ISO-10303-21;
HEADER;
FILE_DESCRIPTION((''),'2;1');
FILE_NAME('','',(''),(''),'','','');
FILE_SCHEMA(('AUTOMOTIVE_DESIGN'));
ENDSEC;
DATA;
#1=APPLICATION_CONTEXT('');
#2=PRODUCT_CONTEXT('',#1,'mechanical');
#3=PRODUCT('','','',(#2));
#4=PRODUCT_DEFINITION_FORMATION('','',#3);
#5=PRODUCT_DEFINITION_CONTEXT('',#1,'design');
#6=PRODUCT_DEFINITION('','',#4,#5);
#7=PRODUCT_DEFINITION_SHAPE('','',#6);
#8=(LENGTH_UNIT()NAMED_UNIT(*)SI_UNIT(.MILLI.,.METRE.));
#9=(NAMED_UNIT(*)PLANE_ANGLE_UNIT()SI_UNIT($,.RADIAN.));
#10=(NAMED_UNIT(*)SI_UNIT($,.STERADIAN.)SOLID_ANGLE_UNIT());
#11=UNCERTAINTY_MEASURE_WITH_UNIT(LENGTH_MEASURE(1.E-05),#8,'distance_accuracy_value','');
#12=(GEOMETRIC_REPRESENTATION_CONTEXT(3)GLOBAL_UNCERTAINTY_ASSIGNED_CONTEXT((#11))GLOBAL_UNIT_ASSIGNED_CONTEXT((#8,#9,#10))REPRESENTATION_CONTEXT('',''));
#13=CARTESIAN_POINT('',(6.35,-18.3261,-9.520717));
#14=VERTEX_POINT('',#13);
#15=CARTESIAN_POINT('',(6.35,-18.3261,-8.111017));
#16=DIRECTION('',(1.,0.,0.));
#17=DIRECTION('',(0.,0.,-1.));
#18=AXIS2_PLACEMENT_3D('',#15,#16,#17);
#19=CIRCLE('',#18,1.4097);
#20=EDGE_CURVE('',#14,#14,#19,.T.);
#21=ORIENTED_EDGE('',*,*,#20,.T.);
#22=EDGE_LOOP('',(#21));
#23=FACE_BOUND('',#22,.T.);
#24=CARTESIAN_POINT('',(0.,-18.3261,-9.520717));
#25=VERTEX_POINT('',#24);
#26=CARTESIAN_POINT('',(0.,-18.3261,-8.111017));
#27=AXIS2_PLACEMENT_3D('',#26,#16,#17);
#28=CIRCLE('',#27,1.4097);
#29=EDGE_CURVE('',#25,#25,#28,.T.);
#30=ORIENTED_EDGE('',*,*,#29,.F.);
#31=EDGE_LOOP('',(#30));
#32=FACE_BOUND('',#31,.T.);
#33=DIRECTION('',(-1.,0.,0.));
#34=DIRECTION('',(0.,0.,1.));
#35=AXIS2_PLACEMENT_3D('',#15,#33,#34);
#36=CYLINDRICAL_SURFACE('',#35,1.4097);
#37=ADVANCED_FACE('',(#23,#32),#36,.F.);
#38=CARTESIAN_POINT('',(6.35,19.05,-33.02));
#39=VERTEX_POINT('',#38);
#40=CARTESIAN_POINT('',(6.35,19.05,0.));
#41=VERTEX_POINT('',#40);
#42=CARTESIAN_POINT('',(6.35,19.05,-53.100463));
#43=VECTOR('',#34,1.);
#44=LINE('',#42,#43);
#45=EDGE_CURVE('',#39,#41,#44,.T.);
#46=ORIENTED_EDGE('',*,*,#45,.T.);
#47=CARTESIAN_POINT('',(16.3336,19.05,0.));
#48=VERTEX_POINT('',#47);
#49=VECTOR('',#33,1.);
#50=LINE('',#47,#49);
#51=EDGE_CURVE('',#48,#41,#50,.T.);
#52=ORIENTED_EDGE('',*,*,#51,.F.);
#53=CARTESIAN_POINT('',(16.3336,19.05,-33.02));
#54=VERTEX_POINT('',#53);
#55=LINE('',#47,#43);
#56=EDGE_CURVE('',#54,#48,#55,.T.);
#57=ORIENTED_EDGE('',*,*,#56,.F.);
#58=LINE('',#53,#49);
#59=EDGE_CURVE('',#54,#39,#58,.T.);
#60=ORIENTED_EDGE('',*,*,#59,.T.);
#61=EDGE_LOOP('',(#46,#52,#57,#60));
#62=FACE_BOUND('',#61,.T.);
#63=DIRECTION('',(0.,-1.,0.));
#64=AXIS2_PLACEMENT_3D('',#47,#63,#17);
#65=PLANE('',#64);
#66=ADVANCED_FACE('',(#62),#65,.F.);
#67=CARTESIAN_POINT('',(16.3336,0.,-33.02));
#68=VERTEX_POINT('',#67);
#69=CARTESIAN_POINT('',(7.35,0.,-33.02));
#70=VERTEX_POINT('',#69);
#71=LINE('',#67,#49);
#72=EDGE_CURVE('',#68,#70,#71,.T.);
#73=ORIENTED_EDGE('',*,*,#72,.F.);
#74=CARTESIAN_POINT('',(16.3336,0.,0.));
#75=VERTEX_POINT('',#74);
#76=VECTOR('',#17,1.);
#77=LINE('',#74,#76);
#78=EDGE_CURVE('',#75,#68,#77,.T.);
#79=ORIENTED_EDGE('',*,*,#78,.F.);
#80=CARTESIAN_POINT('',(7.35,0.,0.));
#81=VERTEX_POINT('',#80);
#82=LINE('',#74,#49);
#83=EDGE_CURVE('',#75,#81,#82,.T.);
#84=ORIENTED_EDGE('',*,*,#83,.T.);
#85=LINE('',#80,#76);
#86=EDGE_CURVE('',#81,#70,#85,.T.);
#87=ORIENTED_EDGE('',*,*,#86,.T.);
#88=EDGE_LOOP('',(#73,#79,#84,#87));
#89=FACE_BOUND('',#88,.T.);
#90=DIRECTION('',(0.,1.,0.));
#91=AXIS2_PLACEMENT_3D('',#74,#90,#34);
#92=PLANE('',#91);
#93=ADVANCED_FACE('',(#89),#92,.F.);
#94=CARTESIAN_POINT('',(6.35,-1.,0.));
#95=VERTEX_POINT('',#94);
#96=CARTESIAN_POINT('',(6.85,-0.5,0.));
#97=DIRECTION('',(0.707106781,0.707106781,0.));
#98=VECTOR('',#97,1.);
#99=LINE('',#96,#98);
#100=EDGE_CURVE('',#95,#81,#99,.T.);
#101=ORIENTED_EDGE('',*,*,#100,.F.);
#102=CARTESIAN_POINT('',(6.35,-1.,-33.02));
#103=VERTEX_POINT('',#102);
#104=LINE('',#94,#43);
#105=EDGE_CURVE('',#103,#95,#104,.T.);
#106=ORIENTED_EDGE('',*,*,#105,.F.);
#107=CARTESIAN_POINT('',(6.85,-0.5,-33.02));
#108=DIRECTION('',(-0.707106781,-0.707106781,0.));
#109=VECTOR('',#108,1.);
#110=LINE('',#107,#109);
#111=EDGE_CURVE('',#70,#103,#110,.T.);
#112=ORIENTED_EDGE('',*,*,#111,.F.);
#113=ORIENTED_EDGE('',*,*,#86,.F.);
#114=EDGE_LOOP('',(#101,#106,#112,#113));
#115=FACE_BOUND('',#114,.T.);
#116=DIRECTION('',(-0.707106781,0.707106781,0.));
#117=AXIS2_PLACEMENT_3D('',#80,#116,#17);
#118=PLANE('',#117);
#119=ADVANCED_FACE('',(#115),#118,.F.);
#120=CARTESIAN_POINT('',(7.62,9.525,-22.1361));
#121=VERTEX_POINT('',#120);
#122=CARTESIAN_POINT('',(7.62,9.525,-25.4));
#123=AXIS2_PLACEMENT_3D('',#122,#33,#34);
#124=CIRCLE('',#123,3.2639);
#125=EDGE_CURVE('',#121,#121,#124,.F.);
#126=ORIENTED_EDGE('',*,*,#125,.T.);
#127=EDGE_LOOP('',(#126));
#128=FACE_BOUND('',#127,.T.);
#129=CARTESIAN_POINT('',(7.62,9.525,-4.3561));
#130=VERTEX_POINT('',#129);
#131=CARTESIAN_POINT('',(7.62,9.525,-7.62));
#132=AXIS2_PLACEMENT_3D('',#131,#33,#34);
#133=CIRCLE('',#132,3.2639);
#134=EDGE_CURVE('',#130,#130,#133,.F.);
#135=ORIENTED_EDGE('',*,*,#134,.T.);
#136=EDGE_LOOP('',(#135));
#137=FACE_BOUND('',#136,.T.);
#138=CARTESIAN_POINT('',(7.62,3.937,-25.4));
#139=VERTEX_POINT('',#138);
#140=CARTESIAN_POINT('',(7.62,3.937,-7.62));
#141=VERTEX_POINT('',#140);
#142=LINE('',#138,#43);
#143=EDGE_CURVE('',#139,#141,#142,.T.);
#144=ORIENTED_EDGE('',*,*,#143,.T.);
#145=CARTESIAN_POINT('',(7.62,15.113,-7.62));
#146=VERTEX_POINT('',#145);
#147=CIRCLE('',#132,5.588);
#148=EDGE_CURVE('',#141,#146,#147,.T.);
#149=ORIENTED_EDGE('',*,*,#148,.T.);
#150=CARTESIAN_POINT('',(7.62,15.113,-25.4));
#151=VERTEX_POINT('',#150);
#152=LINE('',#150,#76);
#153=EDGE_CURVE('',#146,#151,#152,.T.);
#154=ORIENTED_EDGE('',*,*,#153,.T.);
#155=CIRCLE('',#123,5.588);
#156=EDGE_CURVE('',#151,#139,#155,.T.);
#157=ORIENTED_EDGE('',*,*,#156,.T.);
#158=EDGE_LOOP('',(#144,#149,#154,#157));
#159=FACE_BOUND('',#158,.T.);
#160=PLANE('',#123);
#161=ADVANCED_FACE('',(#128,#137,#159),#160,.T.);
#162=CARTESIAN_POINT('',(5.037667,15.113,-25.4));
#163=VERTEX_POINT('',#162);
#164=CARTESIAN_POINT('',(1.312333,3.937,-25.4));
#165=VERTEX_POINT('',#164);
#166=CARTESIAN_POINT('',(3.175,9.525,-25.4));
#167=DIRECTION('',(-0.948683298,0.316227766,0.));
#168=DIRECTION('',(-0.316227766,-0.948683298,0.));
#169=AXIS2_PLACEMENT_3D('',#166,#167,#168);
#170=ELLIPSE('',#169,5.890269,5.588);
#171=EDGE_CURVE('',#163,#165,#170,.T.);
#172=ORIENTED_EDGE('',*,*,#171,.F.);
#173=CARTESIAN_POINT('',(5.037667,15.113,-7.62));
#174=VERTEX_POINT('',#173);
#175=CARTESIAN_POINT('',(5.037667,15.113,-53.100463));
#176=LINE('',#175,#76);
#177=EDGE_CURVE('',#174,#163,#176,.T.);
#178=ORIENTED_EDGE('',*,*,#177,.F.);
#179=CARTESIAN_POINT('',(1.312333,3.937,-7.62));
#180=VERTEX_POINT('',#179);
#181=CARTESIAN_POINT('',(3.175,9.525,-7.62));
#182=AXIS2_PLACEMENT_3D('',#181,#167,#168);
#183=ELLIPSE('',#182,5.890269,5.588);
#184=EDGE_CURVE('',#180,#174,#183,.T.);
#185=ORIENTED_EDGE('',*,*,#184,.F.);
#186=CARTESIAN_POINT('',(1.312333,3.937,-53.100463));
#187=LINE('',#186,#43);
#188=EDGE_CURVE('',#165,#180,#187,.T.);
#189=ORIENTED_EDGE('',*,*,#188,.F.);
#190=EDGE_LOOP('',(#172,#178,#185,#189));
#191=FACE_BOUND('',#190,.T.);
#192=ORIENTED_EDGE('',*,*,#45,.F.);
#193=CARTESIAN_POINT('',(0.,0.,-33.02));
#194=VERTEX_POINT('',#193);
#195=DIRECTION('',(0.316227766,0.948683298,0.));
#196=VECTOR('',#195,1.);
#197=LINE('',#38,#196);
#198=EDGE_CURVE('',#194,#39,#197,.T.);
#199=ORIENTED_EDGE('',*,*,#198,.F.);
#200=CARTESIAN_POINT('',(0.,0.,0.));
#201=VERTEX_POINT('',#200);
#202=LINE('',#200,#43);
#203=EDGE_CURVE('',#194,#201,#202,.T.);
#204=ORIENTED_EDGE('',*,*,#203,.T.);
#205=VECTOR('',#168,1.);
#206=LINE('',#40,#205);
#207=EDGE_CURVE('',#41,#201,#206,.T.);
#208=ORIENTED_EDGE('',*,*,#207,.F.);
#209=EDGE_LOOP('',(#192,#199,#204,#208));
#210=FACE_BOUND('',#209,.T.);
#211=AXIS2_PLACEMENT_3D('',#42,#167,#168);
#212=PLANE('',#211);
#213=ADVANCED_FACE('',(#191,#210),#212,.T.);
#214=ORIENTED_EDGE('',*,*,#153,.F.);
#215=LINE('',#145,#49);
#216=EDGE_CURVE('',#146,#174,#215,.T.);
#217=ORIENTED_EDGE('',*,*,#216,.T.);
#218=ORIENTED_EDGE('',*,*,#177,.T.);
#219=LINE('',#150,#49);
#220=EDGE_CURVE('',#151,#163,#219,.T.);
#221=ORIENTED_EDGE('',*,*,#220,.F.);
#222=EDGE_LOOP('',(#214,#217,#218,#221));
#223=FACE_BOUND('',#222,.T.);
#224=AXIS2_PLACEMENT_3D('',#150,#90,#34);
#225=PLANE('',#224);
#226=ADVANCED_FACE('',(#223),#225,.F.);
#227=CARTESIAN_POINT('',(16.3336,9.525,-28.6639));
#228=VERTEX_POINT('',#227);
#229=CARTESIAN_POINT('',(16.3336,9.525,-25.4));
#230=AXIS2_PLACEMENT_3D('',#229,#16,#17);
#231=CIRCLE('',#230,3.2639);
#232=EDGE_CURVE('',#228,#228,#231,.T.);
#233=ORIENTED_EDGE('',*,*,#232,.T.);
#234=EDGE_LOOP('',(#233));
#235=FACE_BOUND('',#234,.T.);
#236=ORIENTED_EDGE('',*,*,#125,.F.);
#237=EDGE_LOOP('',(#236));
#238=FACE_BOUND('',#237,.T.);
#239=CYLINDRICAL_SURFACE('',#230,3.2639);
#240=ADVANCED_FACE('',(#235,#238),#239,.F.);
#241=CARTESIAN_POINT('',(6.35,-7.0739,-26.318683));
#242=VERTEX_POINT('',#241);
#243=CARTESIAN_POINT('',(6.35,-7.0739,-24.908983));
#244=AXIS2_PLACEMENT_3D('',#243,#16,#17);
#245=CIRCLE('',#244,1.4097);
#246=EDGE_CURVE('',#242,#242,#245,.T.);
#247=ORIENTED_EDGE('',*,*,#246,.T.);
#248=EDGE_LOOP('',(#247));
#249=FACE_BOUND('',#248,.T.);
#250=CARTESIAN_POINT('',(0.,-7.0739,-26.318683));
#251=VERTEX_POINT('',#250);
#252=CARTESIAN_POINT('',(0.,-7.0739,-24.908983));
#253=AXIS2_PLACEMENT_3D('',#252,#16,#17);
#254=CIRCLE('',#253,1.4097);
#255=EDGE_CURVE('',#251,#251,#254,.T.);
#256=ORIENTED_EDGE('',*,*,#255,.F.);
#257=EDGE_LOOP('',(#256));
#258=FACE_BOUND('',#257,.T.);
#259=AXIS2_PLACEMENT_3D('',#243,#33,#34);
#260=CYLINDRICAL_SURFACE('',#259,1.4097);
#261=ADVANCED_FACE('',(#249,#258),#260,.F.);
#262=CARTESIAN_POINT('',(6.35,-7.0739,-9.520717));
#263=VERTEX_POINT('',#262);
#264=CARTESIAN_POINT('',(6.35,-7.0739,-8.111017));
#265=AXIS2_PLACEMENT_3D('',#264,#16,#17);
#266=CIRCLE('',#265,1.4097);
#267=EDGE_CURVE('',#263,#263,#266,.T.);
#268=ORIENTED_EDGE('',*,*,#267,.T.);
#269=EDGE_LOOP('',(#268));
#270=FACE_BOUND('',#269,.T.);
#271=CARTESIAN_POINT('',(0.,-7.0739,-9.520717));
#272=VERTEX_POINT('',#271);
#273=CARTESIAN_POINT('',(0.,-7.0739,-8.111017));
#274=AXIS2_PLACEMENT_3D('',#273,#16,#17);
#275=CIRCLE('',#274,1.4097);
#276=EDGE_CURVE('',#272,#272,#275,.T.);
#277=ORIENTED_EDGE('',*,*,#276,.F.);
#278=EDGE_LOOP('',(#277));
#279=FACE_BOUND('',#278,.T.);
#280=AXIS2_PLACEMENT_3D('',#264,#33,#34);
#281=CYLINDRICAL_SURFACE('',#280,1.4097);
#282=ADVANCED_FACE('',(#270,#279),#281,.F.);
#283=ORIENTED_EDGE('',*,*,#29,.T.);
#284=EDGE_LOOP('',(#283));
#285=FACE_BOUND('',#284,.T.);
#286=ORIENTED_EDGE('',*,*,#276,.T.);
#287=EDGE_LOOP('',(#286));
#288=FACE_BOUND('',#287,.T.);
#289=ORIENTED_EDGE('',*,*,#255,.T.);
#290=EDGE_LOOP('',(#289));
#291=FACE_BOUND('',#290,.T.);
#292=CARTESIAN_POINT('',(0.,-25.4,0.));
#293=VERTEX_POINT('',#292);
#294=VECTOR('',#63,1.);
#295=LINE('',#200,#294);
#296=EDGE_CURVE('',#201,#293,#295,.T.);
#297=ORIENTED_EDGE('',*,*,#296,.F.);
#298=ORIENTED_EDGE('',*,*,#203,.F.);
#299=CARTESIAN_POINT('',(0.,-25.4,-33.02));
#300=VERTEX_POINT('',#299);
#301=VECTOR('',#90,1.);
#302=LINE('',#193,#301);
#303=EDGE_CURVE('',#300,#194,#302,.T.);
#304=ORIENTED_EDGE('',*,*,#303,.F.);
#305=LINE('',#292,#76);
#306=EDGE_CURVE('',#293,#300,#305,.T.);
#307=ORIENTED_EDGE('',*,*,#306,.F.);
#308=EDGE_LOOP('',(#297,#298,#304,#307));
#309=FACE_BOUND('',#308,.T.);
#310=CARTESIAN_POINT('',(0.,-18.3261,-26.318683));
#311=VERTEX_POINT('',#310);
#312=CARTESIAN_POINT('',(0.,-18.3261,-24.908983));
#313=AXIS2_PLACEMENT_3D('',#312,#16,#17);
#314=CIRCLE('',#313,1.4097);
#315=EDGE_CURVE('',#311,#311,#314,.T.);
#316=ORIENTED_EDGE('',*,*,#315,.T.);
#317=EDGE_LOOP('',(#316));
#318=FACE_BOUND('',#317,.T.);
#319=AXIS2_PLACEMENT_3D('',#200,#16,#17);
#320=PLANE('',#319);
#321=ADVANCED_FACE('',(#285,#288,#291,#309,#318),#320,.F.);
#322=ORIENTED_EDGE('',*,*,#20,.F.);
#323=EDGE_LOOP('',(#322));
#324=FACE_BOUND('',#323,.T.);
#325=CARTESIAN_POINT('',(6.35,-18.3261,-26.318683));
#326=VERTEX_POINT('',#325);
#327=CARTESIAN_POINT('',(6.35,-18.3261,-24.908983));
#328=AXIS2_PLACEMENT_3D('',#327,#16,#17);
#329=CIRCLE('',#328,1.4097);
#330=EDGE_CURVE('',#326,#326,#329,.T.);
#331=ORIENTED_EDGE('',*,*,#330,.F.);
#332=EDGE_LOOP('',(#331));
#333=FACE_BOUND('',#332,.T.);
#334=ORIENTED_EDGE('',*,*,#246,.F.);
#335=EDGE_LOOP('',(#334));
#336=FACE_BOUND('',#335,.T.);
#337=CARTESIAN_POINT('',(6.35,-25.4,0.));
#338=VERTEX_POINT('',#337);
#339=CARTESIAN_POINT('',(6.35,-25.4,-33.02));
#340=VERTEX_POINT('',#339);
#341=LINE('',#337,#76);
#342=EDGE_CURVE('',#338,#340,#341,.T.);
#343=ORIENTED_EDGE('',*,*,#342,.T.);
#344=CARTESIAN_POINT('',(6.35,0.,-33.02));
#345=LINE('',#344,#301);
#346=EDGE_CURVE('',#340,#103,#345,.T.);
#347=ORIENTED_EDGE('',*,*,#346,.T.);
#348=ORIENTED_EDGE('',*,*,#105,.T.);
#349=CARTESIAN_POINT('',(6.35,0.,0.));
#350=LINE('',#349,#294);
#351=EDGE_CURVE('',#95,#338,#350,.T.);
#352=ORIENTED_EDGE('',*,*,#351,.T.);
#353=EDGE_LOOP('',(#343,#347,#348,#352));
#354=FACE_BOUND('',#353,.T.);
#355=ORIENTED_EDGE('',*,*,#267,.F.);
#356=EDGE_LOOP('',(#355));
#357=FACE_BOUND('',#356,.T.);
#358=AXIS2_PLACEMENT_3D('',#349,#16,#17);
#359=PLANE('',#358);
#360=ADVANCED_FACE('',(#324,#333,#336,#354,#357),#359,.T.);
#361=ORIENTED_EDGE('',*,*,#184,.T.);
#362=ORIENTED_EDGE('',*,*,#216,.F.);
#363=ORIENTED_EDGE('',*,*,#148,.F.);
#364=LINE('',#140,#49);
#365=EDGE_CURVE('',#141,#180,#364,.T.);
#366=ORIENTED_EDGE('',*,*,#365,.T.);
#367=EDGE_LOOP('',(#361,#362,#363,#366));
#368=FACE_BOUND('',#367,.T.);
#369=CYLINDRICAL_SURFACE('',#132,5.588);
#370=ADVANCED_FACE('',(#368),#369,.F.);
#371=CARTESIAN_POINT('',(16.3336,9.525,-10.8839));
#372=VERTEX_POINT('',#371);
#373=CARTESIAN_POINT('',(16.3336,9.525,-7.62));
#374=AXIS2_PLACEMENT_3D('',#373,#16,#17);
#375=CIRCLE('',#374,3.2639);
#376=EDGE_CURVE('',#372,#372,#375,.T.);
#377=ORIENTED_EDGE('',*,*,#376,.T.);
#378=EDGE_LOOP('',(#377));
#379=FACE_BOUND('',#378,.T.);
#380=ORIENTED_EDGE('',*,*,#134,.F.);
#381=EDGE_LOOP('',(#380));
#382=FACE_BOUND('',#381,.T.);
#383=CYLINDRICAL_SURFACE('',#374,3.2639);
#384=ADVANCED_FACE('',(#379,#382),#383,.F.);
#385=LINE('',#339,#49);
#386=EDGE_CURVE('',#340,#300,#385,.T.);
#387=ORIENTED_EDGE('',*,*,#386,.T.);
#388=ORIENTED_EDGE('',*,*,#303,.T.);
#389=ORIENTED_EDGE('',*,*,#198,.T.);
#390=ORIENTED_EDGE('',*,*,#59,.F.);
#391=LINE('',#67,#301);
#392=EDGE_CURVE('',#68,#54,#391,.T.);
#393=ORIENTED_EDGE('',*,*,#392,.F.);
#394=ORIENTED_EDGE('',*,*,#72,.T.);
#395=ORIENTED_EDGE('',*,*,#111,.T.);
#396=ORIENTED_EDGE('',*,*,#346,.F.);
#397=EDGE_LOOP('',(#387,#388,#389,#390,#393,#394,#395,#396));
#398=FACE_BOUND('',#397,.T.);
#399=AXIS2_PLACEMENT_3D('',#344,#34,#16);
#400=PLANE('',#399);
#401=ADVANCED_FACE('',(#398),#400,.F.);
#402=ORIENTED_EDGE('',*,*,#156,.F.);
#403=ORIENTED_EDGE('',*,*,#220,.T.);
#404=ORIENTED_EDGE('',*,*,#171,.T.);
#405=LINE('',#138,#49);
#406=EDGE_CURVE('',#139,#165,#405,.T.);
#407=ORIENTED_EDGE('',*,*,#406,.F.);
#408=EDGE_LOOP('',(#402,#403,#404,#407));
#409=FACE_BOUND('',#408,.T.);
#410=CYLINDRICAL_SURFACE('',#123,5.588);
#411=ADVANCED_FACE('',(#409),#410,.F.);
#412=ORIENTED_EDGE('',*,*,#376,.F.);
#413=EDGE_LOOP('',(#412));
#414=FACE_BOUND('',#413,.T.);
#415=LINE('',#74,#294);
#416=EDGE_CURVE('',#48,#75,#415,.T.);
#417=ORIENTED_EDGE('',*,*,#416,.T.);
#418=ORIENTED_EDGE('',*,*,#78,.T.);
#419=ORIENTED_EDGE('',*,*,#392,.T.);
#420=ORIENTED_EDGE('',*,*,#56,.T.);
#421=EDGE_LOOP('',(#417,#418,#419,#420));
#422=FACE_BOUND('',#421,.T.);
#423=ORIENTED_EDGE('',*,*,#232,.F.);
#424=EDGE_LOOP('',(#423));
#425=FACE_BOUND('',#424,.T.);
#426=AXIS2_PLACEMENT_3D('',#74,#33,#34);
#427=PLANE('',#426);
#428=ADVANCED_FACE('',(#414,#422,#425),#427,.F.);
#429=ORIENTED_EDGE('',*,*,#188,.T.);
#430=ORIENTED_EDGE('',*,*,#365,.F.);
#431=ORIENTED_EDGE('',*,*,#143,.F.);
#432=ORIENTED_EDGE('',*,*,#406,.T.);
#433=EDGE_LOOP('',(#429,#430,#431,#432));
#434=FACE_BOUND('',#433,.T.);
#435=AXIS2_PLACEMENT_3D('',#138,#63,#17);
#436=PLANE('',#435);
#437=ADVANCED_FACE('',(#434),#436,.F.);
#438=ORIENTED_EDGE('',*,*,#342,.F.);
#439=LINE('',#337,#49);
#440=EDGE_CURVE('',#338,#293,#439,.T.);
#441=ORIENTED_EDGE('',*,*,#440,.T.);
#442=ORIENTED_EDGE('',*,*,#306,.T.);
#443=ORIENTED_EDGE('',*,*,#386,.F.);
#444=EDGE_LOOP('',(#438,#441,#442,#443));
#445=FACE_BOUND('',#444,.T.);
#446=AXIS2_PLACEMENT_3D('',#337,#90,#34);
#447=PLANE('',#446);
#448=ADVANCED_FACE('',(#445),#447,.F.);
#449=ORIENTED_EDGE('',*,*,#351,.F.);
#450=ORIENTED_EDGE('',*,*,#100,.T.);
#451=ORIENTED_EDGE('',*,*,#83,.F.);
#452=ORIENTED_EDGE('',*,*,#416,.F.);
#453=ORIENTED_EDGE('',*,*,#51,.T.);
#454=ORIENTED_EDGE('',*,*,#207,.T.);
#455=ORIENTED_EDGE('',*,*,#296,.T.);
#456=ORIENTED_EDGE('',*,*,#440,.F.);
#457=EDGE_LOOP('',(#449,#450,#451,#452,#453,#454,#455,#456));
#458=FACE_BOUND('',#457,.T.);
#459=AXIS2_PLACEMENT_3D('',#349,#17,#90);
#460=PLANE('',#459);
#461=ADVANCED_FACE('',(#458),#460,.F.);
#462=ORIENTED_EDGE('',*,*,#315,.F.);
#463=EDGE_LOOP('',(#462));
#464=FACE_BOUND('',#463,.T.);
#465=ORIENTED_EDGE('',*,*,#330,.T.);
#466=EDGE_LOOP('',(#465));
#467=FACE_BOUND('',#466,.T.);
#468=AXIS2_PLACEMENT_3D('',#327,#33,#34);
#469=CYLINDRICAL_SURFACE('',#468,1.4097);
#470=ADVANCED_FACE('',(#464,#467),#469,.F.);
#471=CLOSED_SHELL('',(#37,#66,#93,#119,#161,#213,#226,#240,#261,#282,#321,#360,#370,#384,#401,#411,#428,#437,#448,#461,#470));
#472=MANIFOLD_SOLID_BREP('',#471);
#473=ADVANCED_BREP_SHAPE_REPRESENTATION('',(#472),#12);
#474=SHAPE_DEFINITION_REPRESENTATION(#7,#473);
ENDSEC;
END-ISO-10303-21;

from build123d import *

# Parameters (mm, degrees)
SKETCH1_W                = 33.02
SKETCH1_H                = 25.4
SKETCH1_R                = 1.4097
BOSS_EXTRUDE1_DEPTH      = 6.35
SKETCH2_W                = 33.02
SKETCH2_H                = 19.05
BOSS_EXTRUDE2_DEPTH      = 9.983600048
BOSS_EXTRUDE3_DEPTH      = 33.02
F_0_257_DIAMETER_HOLE1_D = 6.5278
CUT_EXTRUDE1_DEPTH       = 7.62
CHAMFER1_SIZE            = 1


with BuildPart() as part:
    # Sketch1 → Boss-Extrude1 (new body)
    with BuildSketch(Plane(origin=(0, 0, 0), x_dir=(0, 0, -1), z_dir=(1, 0, 0))):
        with Locations((16.51, -12.7)):
            Rectangle(SKETCH1_W, SKETCH1_H)
        with Locations((8.111016524, -7.0739)):
            Circle(SKETCH1_R, mode=Mode.SUBTRACT)
        with Locations((8.111016524, -18.3261)):
            Circle(SKETCH1_R, mode=Mode.SUBTRACT)
        with Locations((24.908983476, -18.3261)):
            Circle(SKETCH1_R, mode=Mode.SUBTRACT)
        with Locations((24.908983476, -7.0739)):
            Circle(SKETCH1_R, mode=Mode.SUBTRACT)
    extrude(amount=BOSS_EXTRUDE1_DEPTH)



with BuildPart() as body_2:
    # Sketch2 → Boss-Extrude2 (new body)
    with BuildSketch(Plane(origin=(6.35, 0, 0), x_dir=(0, 0, -1), z_dir=(1, 0, 0))):
        with Locations((16.51, 9.525)):
            Rectangle(SKETCH2_W, SKETCH2_H)
    extrude(amount=BOSS_EXTRUDE2_DEPTH)


with BuildPart() as part_1:
    add(part.part)

    add(body_2.part)  # Boss-Extrude3 merges body 2
    # Sketch3 → Boss-Extrude3 (add)
    with BuildSketch(Plane.XY):
        Polygon((6.35, 19.05), (0, 0), (6.35, 0), align=None)
    extrude(amount=-BOSS_EXTRUDE3_DEPTH)

    # F (0.257) Diameter Hole1 (through all)
    with Locations(Plane(origin=(16.333600048, 0, 0), x_dir=(0, 0, -1), z_dir=(1, 0, 0))):
        with Locations((7.62, 9.525), (25.4, 9.525)):
            Hole(F_0_257_DIAMETER_HOLE1_D / 2)

    # Sketch11 → Cut-Extrude1 (cut)
    with BuildSketch(Plane.ZY):
        with BuildLine():
            Line((-25.4, 15.113), (-7.62, 15.113))
            ThreePointArc((-7.62, 15.113), (-2.032, 9.525), (-7.62, 3.937))
            Line((-7.62, 3.937), (-25.4, 3.937))
            ThreePointArc((-25.4, 3.937), (-30.988, 9.525), (-25.4, 15.113))
        make_face()
    extrude(amount=-CUT_EXTRUDE1_DEPTH, mode=Mode.SUBTRACT)

    # Chamfer1
    chamfer1_edges = [part_1.edges().sort_by_distance(p)[0] for p in [
        (6.35, 0, -16.51),
    ]]
    chamfer(chamfer1_edges, length=CHAMFER1_SIZE)


solid = part_1.part
